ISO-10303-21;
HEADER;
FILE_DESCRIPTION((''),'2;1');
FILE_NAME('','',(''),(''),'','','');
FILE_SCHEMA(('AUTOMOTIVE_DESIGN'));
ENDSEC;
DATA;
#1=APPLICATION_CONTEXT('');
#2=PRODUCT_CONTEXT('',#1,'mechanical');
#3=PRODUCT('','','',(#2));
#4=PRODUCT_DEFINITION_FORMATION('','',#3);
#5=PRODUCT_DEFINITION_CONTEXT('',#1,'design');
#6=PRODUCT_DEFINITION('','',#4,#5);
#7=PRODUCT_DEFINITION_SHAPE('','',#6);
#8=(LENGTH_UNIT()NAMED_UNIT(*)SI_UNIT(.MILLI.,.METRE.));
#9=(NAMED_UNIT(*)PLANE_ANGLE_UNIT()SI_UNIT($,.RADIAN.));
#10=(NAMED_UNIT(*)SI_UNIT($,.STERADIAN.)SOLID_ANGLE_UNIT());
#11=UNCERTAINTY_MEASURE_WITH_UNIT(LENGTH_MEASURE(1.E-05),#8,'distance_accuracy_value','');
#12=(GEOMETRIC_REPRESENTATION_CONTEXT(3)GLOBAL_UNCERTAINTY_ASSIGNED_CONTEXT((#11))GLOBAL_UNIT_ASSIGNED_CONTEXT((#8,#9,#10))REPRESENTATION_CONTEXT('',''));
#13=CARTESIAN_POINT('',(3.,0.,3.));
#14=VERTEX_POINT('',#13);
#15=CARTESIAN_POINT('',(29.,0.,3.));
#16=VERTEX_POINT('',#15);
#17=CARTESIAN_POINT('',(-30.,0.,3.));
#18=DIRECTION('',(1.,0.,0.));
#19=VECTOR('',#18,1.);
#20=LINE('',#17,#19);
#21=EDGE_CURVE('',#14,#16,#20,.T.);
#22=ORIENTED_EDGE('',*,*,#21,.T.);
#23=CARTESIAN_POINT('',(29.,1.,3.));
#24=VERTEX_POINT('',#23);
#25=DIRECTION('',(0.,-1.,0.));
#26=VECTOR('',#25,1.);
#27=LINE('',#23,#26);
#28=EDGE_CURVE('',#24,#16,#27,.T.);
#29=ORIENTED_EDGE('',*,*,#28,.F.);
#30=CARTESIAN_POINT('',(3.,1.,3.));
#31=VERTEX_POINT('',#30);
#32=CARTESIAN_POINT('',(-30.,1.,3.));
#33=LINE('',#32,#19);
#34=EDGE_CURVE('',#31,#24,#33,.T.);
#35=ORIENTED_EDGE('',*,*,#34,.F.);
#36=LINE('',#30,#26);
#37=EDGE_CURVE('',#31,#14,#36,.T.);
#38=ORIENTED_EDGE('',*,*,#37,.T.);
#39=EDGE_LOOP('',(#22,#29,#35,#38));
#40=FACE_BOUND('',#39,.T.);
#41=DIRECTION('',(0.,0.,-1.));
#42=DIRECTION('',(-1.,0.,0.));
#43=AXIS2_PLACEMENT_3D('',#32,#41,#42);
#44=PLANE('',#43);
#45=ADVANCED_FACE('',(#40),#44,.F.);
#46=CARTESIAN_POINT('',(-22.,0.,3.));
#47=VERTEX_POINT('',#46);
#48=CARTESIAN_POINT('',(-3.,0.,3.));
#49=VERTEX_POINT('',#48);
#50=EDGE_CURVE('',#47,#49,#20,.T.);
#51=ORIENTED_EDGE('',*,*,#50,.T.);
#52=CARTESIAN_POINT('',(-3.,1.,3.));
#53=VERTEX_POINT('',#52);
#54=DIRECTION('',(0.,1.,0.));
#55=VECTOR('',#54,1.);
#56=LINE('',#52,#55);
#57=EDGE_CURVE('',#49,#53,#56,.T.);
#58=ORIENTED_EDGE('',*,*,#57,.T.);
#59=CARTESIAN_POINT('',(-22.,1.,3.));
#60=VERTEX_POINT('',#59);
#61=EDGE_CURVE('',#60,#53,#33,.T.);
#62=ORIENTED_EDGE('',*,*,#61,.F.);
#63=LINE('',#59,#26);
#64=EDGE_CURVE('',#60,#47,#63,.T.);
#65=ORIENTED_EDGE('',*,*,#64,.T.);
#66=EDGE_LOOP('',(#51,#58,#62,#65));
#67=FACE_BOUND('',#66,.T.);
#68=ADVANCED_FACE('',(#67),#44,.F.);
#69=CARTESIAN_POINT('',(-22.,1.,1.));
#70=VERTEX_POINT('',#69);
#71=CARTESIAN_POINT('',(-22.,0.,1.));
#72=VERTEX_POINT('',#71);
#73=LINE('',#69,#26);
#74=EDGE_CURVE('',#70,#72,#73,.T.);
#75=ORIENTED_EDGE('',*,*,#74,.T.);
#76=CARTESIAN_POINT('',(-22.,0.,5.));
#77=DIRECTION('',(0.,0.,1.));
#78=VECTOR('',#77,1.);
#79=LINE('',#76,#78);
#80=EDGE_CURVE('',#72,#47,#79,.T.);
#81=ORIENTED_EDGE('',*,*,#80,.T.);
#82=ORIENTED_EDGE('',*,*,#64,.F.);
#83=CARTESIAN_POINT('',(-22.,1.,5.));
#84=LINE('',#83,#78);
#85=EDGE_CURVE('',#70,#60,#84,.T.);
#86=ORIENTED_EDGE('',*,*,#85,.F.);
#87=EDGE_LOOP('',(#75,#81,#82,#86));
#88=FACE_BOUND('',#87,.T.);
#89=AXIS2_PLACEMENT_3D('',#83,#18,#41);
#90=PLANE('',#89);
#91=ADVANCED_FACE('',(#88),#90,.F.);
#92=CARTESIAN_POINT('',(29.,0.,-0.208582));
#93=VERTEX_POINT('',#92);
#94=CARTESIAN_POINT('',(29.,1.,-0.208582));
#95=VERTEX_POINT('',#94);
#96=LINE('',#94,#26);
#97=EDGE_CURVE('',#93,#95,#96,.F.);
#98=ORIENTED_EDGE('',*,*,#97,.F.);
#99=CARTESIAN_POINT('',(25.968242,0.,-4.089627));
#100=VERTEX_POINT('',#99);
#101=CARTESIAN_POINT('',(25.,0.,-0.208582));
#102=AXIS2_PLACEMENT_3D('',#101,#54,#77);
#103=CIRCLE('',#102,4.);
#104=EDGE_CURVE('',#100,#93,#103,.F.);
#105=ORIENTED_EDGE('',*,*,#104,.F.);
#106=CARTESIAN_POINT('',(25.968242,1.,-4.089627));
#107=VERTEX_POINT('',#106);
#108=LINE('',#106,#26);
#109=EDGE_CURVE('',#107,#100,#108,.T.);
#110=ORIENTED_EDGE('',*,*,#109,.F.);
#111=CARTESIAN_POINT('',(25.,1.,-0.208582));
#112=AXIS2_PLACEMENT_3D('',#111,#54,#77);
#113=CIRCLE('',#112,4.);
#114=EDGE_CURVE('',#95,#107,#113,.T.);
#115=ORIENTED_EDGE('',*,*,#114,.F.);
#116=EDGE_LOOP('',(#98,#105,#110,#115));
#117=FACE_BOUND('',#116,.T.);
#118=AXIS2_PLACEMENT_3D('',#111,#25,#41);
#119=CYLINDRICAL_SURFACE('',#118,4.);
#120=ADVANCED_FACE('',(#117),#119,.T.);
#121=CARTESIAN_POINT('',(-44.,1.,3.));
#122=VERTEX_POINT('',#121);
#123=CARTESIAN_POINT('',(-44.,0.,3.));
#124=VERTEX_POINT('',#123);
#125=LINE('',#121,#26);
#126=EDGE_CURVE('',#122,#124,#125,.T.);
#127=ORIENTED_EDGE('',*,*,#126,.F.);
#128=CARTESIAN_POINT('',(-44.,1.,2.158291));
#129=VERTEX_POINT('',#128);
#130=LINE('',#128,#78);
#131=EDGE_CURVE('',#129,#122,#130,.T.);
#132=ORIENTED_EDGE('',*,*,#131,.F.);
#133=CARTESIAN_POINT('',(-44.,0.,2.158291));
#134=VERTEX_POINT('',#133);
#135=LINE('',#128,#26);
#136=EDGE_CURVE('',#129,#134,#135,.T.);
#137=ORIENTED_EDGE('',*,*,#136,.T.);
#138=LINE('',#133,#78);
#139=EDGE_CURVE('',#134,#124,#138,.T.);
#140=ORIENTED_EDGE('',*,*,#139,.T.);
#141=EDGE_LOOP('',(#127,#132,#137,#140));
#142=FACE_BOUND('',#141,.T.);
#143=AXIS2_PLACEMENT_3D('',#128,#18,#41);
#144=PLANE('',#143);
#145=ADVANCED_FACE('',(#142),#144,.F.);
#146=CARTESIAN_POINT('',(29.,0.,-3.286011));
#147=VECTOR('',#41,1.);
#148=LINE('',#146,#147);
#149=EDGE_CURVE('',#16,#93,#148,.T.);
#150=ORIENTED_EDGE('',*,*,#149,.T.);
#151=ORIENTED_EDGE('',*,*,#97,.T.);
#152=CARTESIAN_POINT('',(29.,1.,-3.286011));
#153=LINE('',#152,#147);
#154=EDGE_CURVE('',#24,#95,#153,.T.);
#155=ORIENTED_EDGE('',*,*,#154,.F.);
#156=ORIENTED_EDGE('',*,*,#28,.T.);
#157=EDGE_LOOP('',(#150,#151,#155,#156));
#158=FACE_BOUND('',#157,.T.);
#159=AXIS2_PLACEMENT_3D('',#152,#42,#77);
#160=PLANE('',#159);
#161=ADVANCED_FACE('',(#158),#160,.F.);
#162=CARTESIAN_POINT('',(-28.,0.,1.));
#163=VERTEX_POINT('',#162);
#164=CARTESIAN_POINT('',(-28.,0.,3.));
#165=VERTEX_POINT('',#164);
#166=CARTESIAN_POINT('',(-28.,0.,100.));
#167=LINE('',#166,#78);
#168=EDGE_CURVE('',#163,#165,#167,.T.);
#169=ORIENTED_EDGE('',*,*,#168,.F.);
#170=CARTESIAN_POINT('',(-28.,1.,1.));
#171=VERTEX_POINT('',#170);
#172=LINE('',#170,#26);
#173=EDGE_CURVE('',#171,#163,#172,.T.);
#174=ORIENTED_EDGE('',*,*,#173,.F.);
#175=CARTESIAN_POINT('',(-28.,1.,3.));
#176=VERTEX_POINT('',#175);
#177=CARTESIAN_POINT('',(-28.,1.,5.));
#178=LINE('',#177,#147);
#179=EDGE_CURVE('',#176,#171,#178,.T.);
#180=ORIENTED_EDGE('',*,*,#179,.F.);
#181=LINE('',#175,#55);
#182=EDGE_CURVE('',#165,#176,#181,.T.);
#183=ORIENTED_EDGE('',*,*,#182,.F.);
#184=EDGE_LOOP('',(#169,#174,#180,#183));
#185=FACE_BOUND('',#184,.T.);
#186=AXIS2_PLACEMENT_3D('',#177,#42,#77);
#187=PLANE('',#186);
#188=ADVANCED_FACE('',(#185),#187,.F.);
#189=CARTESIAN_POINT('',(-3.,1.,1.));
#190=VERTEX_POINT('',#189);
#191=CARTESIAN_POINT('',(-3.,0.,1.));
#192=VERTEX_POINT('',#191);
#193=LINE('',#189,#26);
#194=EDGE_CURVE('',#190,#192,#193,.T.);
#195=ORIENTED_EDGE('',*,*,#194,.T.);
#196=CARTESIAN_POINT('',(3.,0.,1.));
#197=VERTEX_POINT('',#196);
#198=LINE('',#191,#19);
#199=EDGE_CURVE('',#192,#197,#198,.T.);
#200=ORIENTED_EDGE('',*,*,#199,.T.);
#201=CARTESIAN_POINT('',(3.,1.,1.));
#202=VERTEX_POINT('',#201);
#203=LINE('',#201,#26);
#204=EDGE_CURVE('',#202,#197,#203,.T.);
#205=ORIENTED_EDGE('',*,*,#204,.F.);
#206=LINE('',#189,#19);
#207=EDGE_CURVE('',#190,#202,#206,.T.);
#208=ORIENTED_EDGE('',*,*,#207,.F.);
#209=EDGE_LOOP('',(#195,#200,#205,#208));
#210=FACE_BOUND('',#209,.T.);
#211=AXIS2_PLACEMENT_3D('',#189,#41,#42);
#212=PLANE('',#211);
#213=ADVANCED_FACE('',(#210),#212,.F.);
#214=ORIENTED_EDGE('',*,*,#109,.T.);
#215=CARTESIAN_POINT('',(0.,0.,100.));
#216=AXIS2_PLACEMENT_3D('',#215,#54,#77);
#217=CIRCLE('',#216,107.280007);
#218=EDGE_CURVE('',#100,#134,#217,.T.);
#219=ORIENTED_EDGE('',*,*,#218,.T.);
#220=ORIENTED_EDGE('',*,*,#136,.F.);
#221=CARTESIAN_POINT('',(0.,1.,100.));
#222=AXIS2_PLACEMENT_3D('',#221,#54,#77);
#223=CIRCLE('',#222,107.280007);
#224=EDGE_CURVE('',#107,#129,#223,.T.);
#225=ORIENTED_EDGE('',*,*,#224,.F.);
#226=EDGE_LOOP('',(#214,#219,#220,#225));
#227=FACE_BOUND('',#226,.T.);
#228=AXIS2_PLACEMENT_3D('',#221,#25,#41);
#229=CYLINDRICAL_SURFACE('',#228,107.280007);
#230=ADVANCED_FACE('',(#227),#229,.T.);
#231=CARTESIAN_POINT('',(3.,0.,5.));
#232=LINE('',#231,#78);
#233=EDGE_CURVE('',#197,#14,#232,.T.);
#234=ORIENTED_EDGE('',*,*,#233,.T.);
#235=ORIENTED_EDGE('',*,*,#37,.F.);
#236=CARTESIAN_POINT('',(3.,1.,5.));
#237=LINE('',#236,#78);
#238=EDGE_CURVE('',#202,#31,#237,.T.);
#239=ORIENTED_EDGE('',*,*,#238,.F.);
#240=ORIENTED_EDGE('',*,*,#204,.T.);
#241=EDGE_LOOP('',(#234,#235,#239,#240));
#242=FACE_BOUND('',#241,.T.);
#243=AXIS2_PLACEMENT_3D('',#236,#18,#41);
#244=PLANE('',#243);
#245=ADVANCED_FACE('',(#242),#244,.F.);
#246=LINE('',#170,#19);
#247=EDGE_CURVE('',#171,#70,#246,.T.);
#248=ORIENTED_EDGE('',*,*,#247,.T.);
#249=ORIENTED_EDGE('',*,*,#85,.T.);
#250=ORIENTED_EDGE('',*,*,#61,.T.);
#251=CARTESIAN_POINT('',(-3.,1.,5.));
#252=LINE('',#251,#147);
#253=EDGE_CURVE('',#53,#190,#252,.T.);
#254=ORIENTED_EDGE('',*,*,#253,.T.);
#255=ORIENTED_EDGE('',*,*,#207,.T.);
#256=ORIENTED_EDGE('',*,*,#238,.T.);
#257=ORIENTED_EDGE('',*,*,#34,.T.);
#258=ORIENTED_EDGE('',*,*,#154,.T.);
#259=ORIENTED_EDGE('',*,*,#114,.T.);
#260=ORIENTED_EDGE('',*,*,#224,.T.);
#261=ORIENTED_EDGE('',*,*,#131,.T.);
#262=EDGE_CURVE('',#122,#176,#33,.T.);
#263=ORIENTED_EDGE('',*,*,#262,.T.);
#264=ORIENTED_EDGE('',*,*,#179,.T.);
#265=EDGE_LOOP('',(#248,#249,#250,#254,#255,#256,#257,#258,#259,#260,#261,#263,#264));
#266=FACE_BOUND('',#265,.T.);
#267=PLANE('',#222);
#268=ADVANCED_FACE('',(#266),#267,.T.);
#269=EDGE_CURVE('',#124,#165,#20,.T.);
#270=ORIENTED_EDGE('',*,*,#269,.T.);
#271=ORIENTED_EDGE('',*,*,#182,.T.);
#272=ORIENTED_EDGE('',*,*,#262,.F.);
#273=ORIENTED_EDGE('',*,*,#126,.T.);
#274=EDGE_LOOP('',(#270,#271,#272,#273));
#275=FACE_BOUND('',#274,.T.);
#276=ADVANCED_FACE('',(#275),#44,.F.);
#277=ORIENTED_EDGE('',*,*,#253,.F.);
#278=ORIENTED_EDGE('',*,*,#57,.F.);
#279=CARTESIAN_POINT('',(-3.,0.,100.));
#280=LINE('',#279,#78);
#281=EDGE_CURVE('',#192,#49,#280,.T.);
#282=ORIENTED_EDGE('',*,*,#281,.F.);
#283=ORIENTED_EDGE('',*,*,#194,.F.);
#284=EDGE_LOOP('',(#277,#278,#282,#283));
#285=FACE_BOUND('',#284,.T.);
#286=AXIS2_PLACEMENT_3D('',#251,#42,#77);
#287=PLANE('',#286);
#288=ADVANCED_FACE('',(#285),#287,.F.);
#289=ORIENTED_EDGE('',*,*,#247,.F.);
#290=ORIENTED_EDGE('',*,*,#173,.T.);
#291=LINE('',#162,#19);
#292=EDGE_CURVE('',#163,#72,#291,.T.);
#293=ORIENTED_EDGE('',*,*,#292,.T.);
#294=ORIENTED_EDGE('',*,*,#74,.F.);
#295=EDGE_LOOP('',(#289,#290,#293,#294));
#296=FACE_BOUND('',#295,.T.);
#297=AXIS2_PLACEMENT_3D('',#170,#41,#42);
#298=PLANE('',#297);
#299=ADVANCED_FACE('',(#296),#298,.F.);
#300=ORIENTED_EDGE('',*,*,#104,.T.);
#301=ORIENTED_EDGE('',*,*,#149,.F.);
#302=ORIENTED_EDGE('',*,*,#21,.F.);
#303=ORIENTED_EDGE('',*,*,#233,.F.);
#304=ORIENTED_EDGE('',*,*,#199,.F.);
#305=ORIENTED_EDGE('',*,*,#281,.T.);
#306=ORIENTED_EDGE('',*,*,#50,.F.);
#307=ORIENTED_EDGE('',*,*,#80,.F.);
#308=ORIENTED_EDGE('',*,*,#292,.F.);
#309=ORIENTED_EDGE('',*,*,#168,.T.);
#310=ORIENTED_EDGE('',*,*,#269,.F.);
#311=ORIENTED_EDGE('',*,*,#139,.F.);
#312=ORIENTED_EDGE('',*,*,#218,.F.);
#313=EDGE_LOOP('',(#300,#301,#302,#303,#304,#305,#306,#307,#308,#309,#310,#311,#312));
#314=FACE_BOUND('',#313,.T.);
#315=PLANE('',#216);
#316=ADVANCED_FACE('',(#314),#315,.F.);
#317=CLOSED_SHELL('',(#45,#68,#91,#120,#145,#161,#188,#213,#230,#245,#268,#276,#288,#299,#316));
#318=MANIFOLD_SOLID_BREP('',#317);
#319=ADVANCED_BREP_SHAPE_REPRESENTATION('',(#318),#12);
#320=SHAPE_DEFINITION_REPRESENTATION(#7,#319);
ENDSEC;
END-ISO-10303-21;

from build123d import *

# Parameters (mm, degrees)
EXTRUDE_1_DEPTH     = 1
SKETCH_2_W          = 6
SKETCH_2_H          = 4
CUT_EXTRUDE_1_DEPTH = 2
FILLET_1_R          = 4


with BuildPart() as part:
    # 草图1 → 凸台-拉伸1 (new body)
    with BuildSketch(Plane(origin=(0, 0, 0), x_dir=(1, 0, 0), z_dir=(0, 1, 0))):
        with BuildLine():
            Line((-30, -3), (-44, -3))
            Line((-44, -3), (-44, -2.158291102))
            ThreePointArc((-44, -2.158291102), (-7.97872831, 6.982895336), (29, 3.286010669))
            Line((29, 3.286010669), (29, -3))
            Line((29, -3), (0, -3))
            Line((0, -3), (-30, -3))
        make_face()
    extrude(amount=EXTRUDE_1_DEPTH)

    # 草图2 → 切除-拉伸1 (cut, through all)
    with BuildSketch(Plane.XZ):
        with Locations((0, 3)):
            Rectangle(SKETCH_2_W, SKETCH_2_H)
        with Locations((-25, 3)):
            Rectangle(SKETCH_2_W, SKETCH_2_H)
    extrude(amount=-CUT_EXTRUDE_1_DEPTH, mode=Mode.SUBTRACT)

    # 圆角1
    fillet_1_edges = [part.edges().sort_by_distance(p)[0] for p in [
        (29, 0.5, -3.286010669),
    ]]
    fillet(fillet_1_edges, radius=FILLET_1_R)


solid = part.part
